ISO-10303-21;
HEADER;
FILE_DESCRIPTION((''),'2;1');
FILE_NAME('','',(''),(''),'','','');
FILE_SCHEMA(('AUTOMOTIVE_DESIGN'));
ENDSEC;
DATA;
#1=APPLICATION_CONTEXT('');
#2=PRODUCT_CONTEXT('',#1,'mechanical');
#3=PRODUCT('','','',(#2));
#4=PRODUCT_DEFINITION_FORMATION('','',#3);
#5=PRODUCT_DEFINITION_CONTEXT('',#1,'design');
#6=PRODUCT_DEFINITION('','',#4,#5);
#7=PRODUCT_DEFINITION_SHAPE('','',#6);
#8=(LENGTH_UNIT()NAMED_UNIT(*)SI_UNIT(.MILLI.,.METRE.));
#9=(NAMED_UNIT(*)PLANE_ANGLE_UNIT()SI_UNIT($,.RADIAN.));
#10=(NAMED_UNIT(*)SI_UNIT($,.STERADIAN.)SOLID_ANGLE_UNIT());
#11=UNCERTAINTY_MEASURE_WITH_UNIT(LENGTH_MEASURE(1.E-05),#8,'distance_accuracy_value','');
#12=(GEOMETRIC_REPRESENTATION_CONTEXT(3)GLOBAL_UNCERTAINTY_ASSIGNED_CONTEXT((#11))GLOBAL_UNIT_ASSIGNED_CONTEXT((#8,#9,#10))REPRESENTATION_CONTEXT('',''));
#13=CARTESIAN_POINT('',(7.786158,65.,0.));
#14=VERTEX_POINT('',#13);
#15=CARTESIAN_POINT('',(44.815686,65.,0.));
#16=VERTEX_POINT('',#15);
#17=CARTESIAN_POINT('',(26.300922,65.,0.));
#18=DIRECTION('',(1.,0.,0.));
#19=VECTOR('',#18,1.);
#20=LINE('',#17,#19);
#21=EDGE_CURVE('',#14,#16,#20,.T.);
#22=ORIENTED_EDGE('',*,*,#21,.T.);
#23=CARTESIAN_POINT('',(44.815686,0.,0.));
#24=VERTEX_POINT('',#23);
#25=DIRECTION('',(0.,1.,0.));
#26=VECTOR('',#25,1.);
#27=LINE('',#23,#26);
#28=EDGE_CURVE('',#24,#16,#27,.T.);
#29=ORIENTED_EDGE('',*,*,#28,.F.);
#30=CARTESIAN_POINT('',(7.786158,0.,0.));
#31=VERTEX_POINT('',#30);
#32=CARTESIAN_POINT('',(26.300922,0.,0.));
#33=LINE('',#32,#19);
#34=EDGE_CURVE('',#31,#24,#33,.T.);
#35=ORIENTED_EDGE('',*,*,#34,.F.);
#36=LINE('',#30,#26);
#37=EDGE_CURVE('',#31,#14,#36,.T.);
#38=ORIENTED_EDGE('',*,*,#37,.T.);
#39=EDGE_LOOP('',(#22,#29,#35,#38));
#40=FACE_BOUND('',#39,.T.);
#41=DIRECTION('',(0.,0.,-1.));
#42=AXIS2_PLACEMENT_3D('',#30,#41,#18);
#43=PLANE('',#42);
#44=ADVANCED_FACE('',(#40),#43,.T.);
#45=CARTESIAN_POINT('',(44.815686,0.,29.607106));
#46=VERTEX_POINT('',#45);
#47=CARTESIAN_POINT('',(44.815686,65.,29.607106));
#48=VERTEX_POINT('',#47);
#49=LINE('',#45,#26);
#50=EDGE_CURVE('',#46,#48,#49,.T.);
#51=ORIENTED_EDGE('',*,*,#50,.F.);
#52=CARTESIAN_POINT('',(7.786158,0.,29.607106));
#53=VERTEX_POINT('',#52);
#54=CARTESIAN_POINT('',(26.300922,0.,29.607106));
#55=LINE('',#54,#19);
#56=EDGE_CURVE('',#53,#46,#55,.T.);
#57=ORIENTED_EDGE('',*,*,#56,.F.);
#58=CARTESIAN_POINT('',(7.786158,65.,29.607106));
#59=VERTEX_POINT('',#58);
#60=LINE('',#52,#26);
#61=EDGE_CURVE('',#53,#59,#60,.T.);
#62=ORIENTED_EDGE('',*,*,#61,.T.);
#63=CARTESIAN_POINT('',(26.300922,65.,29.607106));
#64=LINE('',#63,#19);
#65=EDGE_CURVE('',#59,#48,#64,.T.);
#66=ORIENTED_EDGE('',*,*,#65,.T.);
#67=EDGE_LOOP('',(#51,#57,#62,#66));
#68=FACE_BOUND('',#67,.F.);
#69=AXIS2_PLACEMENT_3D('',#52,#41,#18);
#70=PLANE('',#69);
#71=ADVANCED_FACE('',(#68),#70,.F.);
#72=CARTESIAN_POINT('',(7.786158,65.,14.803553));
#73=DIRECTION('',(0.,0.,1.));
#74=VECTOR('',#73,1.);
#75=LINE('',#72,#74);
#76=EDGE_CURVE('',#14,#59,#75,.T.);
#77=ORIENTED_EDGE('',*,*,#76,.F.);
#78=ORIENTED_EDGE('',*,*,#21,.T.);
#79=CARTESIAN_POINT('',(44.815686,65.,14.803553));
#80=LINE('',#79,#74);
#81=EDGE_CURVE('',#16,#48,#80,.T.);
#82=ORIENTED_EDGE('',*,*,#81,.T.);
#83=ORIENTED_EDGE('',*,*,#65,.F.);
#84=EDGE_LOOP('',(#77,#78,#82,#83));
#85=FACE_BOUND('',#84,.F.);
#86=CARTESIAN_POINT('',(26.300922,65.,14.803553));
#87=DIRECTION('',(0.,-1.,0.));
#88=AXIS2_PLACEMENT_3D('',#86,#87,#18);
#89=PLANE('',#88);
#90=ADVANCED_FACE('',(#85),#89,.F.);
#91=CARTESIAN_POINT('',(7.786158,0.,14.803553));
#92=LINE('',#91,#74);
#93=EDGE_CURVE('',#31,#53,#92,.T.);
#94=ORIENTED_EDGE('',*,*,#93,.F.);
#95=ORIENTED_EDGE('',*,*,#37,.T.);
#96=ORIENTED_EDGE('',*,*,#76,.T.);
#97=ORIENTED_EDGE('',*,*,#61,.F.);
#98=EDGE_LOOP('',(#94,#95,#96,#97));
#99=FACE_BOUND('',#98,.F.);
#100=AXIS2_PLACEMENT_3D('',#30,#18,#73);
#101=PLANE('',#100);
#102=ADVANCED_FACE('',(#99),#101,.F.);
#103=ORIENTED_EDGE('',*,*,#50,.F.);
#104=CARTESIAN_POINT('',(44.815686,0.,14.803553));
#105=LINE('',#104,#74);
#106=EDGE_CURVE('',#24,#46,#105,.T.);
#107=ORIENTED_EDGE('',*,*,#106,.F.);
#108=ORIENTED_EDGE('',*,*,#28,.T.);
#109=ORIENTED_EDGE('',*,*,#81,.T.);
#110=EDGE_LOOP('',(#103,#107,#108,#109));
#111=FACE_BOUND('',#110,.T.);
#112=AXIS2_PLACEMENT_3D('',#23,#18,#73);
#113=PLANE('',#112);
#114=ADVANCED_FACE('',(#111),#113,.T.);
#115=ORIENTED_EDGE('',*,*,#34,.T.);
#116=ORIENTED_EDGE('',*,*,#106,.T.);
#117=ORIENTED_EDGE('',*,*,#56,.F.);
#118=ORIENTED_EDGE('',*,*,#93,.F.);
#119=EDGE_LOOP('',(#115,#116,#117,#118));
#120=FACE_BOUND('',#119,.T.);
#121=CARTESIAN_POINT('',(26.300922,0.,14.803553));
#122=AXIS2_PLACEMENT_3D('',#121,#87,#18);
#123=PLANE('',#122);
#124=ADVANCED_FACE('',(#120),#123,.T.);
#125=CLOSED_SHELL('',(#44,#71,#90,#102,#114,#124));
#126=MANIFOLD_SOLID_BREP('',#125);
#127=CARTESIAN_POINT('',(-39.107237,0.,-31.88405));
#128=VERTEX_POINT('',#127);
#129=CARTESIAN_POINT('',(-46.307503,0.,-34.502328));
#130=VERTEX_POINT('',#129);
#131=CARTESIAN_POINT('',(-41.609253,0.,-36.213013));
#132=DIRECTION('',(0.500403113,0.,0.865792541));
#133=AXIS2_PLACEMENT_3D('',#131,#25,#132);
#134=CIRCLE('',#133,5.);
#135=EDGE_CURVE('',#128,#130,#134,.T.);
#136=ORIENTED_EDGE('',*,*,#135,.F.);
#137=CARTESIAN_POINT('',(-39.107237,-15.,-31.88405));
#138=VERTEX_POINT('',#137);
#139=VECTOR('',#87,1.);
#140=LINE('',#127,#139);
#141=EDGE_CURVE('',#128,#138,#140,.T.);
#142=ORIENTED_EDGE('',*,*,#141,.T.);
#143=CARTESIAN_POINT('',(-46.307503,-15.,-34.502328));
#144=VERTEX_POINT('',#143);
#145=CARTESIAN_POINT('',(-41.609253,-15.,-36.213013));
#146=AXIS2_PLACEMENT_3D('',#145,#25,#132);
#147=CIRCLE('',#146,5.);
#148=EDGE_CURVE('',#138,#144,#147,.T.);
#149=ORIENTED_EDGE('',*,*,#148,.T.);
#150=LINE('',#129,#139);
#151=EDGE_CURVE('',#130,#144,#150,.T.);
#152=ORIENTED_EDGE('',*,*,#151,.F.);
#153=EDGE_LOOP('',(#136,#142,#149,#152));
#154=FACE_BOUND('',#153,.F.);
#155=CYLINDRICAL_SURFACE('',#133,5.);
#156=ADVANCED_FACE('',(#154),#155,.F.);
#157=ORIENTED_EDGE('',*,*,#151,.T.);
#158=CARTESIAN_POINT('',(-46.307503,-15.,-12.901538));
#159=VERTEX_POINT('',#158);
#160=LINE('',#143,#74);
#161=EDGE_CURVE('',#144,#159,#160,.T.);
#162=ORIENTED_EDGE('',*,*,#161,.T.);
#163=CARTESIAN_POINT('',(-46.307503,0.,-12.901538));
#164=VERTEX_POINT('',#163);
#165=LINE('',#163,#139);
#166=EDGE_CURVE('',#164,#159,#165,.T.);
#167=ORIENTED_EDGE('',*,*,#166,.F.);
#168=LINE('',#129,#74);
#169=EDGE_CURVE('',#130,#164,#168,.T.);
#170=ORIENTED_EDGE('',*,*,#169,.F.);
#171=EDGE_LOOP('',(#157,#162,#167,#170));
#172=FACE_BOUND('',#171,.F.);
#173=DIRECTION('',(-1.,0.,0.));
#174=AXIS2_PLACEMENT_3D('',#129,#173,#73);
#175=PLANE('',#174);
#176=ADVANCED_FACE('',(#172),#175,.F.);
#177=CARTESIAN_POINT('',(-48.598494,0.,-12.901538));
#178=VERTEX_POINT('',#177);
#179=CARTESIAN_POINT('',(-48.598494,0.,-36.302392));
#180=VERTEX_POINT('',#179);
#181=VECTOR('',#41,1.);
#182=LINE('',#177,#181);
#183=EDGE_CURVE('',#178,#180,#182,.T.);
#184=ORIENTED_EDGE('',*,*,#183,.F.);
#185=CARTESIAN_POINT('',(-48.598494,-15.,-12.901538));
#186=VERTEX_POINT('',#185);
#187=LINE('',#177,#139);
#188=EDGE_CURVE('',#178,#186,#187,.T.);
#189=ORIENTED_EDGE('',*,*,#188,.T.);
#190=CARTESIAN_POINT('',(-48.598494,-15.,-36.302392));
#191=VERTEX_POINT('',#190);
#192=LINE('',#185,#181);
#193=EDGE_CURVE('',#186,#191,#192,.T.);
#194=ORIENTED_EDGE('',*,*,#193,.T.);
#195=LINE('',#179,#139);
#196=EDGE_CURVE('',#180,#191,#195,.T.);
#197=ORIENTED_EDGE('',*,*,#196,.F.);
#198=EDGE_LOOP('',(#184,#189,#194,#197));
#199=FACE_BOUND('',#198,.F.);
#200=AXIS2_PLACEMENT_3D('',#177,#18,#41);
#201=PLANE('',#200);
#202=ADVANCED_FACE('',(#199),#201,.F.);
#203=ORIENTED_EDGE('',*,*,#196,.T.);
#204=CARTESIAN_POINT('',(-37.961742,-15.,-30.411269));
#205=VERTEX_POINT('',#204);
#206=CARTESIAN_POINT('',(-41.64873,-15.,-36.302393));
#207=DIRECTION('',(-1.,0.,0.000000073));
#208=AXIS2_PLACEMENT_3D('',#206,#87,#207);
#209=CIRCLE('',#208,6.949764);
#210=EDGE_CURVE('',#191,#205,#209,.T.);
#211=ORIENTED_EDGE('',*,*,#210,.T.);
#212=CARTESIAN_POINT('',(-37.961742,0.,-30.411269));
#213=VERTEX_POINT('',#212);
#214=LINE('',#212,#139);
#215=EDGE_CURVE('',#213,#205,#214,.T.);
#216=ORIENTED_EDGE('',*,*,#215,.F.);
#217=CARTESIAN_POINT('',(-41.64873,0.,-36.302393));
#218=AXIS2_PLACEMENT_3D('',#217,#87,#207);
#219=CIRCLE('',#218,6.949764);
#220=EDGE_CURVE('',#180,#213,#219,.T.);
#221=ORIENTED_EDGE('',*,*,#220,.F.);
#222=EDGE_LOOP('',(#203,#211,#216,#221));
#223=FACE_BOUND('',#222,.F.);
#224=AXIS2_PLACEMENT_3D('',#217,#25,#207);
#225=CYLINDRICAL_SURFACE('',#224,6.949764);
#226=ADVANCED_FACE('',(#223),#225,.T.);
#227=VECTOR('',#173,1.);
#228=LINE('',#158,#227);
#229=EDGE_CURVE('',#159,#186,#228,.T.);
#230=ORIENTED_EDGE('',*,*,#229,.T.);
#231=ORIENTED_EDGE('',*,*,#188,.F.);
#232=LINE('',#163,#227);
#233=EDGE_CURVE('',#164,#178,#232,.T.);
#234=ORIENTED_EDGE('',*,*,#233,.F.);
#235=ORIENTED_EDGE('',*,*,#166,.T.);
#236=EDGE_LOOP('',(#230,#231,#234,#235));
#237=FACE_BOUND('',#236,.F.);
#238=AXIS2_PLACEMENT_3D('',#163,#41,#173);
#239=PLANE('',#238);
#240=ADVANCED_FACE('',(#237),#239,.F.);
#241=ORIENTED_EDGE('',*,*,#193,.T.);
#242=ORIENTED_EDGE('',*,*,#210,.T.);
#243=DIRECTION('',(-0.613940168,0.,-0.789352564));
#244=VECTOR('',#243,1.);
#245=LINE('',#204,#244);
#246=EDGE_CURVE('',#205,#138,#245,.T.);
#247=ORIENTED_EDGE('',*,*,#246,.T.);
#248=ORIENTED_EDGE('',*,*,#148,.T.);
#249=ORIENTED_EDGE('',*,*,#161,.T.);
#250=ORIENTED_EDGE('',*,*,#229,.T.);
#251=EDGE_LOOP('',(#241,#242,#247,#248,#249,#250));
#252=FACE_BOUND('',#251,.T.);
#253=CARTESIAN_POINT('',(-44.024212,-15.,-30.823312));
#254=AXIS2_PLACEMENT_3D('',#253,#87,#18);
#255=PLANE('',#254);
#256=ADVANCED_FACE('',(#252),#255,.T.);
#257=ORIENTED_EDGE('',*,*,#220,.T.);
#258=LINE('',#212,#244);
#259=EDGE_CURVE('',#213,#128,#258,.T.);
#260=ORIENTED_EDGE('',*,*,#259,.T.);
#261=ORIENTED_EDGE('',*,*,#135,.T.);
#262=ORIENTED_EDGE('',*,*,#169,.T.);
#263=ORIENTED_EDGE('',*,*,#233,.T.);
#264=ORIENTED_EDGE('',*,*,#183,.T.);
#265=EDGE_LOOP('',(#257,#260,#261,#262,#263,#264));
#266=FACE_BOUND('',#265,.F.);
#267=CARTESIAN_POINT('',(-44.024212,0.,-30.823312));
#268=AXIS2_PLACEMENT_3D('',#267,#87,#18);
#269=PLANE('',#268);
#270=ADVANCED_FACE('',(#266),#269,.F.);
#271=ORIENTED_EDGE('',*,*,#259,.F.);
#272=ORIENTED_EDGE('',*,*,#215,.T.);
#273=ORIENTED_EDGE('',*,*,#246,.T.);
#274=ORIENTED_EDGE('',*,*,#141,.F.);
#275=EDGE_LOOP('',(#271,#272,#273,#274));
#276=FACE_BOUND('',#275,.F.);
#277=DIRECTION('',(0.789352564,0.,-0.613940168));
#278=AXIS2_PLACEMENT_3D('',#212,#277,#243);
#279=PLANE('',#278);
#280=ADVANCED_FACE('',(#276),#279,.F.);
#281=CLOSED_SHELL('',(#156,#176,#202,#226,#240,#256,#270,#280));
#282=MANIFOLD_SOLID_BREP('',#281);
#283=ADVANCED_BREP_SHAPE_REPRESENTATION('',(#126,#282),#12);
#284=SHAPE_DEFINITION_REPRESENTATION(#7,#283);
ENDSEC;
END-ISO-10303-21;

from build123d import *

# Parameters (mm, degrees)
F1_DEPTH = 15
F3_W     = 37.029528
F3_H     = 29.607106
F2_DEPTH = 65


with BuildPart() as f1:
    # F0 (on Front) → F1 (new body)
    with BuildSketch(Plane.XZ):
        with BuildLine():
            Line((-46.307503, -12.901538), (-48.598494, -12.901538))
            Line((-48.598494, -12.901538), (-48.598494, -36.302392))
            ThreePointArc((-48.598494, -36.302392), (-38.281571, -42.381986), (-37.961742, -30.411269))
            Line((-37.961742, -30.411269), (-39.107237, -31.88405))
            ThreePointArc((-39.107237, -31.88405), (-39.900538, -40.91198), (-46.307503, -34.502328))
            Line((-46.307503, -34.502328), (-46.307503, -12.901538))
        make_face()
    extrude(amount=F1_DEPTH)


with BuildPart() as f2:
    # F3 (on Front) → F2 (new body)
    with BuildSketch(Plane.XZ):
        with Locations((26.300922, 14.803553)):
            Rectangle(F3_W, F3_H)
    extrude(amount=-F2_DEPTH)


solid = Compound([f1.part, f2.part])
